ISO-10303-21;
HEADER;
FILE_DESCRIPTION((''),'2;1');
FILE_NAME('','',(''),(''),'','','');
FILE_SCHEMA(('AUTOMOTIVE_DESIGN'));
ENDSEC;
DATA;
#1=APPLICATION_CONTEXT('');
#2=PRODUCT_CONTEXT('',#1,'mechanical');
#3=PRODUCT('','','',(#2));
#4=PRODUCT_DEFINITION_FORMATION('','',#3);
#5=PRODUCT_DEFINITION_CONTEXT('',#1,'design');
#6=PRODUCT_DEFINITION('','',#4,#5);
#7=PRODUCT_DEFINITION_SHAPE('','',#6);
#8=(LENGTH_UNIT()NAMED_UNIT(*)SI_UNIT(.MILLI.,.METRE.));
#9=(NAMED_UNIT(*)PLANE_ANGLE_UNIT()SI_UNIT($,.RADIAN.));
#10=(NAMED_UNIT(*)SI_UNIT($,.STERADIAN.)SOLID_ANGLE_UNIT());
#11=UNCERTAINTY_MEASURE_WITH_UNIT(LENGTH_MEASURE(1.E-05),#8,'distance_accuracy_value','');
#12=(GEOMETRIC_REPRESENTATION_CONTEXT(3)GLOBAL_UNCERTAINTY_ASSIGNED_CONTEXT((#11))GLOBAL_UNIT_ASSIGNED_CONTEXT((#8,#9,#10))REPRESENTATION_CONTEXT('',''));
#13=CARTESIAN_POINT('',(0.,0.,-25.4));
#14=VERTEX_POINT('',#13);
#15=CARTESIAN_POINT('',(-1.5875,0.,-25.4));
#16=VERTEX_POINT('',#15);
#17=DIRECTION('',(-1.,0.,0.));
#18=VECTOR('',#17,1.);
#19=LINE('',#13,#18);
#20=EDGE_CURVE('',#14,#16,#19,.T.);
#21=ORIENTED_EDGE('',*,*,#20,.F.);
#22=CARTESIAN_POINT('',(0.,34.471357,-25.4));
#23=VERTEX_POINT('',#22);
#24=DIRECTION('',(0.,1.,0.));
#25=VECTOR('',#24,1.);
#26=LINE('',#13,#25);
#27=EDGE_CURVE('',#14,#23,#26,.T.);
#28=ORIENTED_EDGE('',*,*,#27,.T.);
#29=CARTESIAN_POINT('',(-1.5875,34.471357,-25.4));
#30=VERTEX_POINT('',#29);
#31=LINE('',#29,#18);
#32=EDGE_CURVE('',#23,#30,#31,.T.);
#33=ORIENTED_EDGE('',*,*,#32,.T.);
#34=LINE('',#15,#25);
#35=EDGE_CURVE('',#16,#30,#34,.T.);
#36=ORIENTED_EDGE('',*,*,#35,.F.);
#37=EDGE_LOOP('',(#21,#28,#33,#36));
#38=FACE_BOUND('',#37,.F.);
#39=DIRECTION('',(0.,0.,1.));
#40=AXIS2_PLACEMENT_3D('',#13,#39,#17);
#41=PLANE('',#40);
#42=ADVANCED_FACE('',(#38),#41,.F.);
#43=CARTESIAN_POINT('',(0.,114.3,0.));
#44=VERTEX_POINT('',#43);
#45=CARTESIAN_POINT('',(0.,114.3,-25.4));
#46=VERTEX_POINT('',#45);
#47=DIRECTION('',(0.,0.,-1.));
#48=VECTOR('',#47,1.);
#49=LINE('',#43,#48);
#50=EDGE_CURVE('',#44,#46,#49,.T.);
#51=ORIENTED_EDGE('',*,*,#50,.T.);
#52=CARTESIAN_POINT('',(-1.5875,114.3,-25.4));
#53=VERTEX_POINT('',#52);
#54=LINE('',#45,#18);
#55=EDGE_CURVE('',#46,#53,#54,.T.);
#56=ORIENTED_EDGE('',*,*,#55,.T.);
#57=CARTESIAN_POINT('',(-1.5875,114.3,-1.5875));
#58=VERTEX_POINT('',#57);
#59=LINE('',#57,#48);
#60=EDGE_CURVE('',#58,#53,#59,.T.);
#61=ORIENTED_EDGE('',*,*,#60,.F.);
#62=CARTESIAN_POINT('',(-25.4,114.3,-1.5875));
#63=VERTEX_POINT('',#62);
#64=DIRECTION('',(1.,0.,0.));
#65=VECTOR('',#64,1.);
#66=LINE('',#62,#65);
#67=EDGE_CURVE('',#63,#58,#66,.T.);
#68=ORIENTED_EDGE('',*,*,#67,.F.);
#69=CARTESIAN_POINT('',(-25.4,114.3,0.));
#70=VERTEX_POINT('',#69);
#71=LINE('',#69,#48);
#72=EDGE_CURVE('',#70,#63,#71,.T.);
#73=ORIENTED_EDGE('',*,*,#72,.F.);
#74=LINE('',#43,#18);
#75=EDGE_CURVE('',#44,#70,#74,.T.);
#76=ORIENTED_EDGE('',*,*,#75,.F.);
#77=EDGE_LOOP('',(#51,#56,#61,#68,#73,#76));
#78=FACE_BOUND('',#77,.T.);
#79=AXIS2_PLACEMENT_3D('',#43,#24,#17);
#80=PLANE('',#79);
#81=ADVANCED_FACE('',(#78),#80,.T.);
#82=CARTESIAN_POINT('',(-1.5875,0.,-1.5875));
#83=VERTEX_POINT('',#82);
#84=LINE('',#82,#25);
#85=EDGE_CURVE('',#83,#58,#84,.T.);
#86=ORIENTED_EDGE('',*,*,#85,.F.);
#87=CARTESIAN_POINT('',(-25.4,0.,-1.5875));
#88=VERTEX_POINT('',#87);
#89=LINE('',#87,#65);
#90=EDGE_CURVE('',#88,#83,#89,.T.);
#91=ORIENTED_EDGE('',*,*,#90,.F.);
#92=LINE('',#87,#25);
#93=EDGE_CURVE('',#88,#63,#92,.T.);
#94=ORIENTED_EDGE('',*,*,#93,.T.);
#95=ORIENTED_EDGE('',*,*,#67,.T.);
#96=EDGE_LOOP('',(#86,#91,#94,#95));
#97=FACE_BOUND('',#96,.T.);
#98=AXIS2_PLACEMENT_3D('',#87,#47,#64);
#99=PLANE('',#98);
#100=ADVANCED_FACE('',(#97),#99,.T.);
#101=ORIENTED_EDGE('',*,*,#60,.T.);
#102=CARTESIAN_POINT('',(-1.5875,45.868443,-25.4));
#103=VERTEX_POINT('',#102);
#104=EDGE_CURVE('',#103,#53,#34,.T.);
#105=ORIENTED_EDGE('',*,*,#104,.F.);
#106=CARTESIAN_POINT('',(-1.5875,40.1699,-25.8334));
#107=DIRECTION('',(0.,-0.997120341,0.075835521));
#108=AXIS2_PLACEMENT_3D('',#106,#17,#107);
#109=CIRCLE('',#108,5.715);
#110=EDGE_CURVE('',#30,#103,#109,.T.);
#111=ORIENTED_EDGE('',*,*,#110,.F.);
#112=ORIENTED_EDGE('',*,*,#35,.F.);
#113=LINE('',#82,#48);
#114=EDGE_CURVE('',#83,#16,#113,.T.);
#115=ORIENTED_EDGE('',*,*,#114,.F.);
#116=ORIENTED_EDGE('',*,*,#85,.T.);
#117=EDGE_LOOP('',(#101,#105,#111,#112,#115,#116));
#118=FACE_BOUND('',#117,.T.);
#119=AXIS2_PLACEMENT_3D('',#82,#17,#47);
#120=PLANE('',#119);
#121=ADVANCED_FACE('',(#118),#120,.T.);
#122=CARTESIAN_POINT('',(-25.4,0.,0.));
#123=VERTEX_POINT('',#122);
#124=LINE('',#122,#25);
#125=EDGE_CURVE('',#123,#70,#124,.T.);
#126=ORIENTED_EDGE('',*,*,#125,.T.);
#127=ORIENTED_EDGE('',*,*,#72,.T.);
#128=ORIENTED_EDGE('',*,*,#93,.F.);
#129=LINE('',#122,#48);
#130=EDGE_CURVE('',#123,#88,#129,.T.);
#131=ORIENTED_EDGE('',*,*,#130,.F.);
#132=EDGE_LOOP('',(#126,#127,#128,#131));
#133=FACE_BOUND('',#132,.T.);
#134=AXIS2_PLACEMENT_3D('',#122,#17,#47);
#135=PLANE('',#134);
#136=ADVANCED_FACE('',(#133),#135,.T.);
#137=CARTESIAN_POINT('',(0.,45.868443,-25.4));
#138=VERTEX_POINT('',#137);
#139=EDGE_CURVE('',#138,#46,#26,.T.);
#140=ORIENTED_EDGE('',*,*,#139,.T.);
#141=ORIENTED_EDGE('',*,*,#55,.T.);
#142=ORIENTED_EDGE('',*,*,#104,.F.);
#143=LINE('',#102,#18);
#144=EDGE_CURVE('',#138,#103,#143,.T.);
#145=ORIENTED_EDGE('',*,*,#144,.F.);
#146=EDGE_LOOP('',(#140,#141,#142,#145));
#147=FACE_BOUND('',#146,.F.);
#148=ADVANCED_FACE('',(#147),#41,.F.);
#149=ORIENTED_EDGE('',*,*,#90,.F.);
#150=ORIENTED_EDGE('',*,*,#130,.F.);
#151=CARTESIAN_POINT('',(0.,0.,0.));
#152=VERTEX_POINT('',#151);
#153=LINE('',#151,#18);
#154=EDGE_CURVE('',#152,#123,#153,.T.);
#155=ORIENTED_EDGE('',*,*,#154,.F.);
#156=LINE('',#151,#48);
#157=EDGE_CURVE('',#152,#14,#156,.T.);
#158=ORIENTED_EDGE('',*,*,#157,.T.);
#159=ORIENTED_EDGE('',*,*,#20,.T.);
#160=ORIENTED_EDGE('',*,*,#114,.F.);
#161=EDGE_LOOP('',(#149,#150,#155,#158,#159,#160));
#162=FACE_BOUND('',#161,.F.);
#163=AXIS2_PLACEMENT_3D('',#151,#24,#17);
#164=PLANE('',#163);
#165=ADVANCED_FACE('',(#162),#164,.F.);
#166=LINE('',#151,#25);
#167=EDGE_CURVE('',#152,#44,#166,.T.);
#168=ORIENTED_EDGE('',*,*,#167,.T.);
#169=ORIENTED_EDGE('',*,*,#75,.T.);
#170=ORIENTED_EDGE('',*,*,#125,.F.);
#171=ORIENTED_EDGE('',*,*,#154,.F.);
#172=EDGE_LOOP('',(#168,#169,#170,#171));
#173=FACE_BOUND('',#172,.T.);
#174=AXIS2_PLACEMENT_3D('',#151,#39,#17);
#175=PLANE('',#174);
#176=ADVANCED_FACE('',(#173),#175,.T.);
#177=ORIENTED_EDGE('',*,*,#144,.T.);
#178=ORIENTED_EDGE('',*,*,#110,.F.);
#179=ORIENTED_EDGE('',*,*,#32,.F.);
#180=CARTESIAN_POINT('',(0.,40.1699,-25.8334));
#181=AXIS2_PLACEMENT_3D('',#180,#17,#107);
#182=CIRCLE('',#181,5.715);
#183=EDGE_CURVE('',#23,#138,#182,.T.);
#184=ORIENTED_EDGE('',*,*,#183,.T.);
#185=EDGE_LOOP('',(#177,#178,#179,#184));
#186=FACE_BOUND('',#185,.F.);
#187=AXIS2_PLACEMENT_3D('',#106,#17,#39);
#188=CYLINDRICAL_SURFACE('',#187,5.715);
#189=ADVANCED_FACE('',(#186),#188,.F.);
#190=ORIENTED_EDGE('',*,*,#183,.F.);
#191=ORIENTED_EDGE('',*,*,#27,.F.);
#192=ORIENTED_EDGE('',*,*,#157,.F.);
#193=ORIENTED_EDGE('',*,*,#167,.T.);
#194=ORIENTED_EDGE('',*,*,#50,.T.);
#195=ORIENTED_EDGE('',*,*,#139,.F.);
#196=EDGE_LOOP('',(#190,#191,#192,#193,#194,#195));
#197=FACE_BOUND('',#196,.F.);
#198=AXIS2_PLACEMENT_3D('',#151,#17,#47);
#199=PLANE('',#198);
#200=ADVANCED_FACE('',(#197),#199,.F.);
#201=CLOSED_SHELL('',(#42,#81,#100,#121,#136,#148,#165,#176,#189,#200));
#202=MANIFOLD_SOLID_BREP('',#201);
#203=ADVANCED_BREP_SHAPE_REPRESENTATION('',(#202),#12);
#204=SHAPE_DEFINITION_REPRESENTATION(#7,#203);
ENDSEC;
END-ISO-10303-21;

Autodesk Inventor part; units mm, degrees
ref_plane "YZ Plane" through (0, 0, 0) normal (1, 0, 0) x (0, 1, 0)
ref_plane "XZ Plane" through (0, 0, 0) normal (0, 1, 0) x (-1, 0, 0)
ref_plane "XY Plane" through (0, 0, 0) normal (0, 0, 1) x (1, 0, 0)
sketch "Sketch1" plane through (0, 0, 0) normal (0, 1, 0) x (-1, 0, 0)
  line L0 (0, 0) -> (0, -25.4)
  line L1 (0, -25.4) -> (1.5875, -25.4)
  line L2 (0, 0) -> (25.4, 0)
  line L3 (25.4, 0) -> (25.4, -1.5875)
  line L4 (25.4, -1.5875) -> (1.5875, -1.5875)
  line L5 (1.5875, -1.5875) -> (1.5875, -25.4)
  dimension "d0" = 25.4
  dimension "d1" = 1.5875
  dimension "d4" = 25.4
  dimension "d5" = 1.5875
extrude "Extrusion1" add sketch "Sketch1" along normal blind 114.3
sketch "Sketch2" plane through (-1.5875, 0, -25.4) normal (-1, 0, 0) x (0, 0, 1)
  circle A0 centre (-0.4334, 40.1699) radius 5.715 projected
  point P0 (25.4, 0)
extrude "Extrusion2" cut sketch "Sketch2" against normal blind 46.0375
properties part number "OTHER bracket for pickup"
